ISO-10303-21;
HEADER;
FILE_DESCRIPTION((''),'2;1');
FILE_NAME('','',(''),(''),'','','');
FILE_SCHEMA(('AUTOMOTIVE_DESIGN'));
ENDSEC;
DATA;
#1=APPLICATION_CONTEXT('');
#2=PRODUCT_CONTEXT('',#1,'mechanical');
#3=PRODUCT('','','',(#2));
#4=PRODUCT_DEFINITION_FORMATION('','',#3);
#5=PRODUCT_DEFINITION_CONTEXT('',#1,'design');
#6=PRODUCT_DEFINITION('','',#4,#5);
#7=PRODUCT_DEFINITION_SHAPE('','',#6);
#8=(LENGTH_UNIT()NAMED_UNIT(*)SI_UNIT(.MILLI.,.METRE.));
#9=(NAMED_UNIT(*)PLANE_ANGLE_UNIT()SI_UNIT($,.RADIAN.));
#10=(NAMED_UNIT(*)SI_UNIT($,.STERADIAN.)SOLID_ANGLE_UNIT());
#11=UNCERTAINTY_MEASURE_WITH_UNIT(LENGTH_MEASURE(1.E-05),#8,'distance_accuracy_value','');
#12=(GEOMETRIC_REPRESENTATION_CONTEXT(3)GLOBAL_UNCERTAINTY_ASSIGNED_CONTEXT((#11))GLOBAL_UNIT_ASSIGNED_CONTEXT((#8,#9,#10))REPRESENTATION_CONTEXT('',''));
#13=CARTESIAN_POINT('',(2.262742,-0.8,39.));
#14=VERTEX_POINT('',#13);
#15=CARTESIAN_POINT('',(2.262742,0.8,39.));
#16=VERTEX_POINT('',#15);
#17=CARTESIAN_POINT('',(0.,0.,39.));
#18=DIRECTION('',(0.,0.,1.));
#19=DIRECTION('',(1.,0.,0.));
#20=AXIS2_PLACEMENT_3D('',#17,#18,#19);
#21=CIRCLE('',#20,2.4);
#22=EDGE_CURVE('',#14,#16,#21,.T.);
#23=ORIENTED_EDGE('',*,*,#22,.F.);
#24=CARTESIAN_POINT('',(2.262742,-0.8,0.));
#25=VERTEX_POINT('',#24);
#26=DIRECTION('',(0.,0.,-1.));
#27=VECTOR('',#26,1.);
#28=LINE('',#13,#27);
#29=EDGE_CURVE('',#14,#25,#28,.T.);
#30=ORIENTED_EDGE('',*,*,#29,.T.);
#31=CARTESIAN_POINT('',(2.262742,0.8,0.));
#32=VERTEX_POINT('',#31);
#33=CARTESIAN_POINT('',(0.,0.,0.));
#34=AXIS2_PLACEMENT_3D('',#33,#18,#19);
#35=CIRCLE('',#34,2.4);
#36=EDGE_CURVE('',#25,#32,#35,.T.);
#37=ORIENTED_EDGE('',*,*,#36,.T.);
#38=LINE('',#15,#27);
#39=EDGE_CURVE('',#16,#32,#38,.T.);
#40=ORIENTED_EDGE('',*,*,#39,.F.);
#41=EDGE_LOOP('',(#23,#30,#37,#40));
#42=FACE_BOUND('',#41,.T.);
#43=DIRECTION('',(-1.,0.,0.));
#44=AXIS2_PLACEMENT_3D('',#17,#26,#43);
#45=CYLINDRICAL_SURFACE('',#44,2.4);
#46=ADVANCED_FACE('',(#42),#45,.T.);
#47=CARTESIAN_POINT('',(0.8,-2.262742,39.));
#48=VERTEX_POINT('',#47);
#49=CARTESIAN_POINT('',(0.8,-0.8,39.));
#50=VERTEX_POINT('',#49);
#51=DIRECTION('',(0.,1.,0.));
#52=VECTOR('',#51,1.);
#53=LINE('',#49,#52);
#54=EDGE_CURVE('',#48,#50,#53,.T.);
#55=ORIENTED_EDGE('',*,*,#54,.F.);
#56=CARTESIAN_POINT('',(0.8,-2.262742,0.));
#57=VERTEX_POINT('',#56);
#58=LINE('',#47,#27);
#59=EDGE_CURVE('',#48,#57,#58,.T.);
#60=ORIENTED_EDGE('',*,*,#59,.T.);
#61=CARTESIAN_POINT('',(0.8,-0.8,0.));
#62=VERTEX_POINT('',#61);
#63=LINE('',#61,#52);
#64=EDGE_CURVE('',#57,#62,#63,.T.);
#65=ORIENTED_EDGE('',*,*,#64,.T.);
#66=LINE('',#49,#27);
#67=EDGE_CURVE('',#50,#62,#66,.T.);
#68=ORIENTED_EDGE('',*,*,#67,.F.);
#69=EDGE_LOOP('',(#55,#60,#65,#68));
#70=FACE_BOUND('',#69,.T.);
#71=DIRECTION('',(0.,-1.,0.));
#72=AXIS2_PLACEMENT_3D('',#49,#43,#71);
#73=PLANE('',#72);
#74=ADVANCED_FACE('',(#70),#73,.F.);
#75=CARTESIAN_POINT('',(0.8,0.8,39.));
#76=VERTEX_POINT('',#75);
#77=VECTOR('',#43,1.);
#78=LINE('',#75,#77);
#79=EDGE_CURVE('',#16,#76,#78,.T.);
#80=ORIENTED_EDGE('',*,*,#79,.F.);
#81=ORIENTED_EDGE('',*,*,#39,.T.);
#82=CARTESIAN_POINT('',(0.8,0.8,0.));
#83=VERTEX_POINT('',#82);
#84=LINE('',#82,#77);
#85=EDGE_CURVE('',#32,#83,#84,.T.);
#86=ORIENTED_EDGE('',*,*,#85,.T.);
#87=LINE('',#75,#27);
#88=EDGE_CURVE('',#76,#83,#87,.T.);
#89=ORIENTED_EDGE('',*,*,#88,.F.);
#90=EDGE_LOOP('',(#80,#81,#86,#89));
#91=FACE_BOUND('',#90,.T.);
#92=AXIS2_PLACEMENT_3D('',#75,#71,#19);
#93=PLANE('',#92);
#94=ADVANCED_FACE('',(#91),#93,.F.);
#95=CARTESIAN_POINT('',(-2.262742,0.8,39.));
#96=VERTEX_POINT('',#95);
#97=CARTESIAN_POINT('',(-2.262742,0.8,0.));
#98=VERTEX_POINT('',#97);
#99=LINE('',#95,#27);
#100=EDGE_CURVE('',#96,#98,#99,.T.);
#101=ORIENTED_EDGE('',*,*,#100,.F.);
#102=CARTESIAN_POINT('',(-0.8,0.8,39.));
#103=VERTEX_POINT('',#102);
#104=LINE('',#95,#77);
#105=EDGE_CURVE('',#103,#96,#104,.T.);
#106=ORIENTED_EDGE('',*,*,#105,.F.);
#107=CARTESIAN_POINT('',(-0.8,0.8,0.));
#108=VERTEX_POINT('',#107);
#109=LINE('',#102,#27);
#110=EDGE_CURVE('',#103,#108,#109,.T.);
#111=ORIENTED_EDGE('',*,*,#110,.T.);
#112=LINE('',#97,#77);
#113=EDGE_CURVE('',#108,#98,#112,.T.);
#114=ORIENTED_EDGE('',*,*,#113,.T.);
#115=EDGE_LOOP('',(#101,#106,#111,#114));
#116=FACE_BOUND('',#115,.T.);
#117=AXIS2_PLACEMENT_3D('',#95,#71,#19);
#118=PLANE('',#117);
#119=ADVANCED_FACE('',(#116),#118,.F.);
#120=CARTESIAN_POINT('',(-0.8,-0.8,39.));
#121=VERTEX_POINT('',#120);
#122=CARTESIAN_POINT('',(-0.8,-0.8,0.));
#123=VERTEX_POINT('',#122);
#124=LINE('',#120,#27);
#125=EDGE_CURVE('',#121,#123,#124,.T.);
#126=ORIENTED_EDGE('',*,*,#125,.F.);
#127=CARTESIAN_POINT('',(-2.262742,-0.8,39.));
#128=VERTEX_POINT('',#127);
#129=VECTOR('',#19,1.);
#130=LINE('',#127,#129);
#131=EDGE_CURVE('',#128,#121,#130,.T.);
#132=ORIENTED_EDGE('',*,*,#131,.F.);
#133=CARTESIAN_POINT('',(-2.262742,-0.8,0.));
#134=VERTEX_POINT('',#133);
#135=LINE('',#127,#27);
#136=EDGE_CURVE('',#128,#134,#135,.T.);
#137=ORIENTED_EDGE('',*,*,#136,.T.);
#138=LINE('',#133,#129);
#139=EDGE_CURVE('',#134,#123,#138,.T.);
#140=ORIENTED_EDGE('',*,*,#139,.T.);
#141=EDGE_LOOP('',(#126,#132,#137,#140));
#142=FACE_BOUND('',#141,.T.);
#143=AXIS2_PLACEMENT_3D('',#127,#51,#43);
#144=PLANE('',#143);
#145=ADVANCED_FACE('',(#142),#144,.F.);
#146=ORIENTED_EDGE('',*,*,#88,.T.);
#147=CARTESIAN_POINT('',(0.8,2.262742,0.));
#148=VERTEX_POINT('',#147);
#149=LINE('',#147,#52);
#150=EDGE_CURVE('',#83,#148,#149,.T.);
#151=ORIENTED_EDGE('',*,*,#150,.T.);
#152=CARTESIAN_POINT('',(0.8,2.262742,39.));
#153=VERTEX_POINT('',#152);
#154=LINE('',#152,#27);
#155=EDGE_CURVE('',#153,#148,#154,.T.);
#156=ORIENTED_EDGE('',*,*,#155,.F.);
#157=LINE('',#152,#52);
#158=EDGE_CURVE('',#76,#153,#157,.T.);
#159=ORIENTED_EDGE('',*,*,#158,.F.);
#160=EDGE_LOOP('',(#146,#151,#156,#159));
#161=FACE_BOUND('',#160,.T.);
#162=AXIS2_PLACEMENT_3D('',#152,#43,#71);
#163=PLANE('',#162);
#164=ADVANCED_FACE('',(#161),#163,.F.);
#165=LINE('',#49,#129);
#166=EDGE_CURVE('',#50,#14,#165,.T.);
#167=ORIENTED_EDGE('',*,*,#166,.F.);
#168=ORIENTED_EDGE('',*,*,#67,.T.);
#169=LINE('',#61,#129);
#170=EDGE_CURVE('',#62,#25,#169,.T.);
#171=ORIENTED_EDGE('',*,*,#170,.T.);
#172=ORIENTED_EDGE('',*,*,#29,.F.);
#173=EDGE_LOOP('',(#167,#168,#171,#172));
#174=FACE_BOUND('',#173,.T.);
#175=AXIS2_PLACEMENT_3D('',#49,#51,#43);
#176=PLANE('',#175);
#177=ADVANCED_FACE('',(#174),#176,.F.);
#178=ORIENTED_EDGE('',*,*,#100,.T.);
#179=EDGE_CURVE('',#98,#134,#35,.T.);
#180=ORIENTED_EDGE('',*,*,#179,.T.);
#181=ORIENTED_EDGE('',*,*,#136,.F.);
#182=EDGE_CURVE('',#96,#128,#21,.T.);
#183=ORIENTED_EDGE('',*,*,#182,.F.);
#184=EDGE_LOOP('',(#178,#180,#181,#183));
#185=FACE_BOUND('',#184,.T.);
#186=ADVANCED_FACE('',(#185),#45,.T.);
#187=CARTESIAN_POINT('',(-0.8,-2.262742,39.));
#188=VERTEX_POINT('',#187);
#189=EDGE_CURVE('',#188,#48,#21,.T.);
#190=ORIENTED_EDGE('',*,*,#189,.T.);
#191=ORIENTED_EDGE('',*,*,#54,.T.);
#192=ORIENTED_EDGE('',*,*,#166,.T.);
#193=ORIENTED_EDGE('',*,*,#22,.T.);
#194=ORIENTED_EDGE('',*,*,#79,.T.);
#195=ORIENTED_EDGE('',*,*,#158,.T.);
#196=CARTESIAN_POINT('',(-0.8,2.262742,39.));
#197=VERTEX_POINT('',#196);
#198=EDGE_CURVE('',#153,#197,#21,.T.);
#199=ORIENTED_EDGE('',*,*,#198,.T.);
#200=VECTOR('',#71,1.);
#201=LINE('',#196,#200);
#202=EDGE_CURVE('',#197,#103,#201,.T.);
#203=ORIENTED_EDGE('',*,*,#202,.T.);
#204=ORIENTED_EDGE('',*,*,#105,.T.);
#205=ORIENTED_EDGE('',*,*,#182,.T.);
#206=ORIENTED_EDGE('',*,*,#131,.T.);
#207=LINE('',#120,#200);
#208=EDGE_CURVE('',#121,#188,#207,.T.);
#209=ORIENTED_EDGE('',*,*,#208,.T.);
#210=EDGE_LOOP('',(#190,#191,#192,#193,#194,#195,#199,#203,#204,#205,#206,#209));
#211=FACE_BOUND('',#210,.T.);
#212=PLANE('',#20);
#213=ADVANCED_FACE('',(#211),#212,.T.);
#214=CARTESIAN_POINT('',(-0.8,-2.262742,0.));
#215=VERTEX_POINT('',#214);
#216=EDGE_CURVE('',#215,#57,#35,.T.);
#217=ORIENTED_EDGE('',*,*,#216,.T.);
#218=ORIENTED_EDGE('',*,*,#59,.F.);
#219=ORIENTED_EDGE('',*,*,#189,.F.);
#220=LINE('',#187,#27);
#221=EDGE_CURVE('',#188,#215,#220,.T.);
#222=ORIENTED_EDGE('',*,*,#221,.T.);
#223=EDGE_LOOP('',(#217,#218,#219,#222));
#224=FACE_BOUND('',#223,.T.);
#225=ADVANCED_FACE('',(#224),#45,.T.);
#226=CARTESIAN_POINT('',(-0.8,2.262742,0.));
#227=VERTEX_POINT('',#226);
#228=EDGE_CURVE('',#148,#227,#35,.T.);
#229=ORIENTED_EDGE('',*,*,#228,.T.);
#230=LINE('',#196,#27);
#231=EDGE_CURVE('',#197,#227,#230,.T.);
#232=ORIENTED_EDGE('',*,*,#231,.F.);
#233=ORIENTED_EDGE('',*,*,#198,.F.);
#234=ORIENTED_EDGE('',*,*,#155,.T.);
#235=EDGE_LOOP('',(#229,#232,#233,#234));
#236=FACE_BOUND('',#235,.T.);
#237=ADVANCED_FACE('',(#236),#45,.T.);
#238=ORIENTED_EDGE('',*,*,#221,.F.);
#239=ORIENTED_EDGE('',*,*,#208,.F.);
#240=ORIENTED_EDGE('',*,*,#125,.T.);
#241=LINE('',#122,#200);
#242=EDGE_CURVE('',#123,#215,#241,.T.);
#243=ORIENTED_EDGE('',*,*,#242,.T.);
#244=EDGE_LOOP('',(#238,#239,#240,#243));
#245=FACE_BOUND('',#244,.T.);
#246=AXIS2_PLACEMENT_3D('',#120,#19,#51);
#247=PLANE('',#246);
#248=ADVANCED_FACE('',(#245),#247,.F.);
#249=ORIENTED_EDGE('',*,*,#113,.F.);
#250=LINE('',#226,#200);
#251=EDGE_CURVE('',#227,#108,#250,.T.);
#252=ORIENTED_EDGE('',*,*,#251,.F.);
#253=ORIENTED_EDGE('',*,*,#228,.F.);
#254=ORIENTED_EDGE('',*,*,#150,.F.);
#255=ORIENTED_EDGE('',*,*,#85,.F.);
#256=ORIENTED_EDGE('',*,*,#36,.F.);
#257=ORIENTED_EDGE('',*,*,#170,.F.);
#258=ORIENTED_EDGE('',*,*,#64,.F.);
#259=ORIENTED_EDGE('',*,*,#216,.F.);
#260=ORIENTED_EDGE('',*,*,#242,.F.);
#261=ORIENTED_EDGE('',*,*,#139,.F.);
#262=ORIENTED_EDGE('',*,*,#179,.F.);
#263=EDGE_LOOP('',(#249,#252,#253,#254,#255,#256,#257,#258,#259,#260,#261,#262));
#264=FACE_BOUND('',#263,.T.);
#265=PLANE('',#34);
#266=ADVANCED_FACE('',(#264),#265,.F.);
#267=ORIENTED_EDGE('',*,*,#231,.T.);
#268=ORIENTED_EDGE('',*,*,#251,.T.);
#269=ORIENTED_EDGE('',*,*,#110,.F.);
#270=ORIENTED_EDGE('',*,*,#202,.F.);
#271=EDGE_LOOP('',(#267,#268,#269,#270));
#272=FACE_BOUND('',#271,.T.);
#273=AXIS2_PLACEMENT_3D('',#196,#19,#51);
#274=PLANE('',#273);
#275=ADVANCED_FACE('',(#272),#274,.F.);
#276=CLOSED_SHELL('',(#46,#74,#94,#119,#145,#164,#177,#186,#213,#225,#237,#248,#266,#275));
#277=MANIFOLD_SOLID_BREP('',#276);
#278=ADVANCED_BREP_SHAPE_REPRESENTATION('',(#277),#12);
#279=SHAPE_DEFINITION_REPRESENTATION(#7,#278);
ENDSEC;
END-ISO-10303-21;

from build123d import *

# Parameters (mm, degrees)
BOSS_EXTRU_1_DEPTH = 39


with BuildPart() as part:
    # Esquisse1 → Boss.-Extru.1 (new body)
    with BuildSketch(Plane.XY):
        with BuildLine():
            Line((0.8, 0.8), (2.2627417, 0.8))
            ThreePointArc((2.2627417, 0.8), (2.4, 0), (2.2627417, -0.8))
            Line((2.2627417, -0.8), (0.8, -0.8))
            Line((0.8, -0.8), (0.8, -2.2627417))
            ThreePointArc((0.8, -2.2627417), (0, -2.4), (-0.8, -2.2627417))
            Line((-0.8, -2.2627417), (-0.8, -0.8))
            Line((-0.8, -0.8), (-2.2627417, -0.8))
            ThreePointArc((-2.2627417, -0.8), (-2.4, 0), (-2.2627417, 0.8))
            Line((-2.2627417, 0.8), (-0.8, 0.8))
            Line((-0.8, 0.8), (-0.8, 2.2627417))
            ThreePointArc((-0.8, 2.2627417), (0, 2.4), (0.8, 2.2627417))
            Line((0.8, 2.2627417), (0.8, 0.8))
        make_face()
    extrude(amount=BOSS_EXTRU_1_DEPTH)


solid = part.part
